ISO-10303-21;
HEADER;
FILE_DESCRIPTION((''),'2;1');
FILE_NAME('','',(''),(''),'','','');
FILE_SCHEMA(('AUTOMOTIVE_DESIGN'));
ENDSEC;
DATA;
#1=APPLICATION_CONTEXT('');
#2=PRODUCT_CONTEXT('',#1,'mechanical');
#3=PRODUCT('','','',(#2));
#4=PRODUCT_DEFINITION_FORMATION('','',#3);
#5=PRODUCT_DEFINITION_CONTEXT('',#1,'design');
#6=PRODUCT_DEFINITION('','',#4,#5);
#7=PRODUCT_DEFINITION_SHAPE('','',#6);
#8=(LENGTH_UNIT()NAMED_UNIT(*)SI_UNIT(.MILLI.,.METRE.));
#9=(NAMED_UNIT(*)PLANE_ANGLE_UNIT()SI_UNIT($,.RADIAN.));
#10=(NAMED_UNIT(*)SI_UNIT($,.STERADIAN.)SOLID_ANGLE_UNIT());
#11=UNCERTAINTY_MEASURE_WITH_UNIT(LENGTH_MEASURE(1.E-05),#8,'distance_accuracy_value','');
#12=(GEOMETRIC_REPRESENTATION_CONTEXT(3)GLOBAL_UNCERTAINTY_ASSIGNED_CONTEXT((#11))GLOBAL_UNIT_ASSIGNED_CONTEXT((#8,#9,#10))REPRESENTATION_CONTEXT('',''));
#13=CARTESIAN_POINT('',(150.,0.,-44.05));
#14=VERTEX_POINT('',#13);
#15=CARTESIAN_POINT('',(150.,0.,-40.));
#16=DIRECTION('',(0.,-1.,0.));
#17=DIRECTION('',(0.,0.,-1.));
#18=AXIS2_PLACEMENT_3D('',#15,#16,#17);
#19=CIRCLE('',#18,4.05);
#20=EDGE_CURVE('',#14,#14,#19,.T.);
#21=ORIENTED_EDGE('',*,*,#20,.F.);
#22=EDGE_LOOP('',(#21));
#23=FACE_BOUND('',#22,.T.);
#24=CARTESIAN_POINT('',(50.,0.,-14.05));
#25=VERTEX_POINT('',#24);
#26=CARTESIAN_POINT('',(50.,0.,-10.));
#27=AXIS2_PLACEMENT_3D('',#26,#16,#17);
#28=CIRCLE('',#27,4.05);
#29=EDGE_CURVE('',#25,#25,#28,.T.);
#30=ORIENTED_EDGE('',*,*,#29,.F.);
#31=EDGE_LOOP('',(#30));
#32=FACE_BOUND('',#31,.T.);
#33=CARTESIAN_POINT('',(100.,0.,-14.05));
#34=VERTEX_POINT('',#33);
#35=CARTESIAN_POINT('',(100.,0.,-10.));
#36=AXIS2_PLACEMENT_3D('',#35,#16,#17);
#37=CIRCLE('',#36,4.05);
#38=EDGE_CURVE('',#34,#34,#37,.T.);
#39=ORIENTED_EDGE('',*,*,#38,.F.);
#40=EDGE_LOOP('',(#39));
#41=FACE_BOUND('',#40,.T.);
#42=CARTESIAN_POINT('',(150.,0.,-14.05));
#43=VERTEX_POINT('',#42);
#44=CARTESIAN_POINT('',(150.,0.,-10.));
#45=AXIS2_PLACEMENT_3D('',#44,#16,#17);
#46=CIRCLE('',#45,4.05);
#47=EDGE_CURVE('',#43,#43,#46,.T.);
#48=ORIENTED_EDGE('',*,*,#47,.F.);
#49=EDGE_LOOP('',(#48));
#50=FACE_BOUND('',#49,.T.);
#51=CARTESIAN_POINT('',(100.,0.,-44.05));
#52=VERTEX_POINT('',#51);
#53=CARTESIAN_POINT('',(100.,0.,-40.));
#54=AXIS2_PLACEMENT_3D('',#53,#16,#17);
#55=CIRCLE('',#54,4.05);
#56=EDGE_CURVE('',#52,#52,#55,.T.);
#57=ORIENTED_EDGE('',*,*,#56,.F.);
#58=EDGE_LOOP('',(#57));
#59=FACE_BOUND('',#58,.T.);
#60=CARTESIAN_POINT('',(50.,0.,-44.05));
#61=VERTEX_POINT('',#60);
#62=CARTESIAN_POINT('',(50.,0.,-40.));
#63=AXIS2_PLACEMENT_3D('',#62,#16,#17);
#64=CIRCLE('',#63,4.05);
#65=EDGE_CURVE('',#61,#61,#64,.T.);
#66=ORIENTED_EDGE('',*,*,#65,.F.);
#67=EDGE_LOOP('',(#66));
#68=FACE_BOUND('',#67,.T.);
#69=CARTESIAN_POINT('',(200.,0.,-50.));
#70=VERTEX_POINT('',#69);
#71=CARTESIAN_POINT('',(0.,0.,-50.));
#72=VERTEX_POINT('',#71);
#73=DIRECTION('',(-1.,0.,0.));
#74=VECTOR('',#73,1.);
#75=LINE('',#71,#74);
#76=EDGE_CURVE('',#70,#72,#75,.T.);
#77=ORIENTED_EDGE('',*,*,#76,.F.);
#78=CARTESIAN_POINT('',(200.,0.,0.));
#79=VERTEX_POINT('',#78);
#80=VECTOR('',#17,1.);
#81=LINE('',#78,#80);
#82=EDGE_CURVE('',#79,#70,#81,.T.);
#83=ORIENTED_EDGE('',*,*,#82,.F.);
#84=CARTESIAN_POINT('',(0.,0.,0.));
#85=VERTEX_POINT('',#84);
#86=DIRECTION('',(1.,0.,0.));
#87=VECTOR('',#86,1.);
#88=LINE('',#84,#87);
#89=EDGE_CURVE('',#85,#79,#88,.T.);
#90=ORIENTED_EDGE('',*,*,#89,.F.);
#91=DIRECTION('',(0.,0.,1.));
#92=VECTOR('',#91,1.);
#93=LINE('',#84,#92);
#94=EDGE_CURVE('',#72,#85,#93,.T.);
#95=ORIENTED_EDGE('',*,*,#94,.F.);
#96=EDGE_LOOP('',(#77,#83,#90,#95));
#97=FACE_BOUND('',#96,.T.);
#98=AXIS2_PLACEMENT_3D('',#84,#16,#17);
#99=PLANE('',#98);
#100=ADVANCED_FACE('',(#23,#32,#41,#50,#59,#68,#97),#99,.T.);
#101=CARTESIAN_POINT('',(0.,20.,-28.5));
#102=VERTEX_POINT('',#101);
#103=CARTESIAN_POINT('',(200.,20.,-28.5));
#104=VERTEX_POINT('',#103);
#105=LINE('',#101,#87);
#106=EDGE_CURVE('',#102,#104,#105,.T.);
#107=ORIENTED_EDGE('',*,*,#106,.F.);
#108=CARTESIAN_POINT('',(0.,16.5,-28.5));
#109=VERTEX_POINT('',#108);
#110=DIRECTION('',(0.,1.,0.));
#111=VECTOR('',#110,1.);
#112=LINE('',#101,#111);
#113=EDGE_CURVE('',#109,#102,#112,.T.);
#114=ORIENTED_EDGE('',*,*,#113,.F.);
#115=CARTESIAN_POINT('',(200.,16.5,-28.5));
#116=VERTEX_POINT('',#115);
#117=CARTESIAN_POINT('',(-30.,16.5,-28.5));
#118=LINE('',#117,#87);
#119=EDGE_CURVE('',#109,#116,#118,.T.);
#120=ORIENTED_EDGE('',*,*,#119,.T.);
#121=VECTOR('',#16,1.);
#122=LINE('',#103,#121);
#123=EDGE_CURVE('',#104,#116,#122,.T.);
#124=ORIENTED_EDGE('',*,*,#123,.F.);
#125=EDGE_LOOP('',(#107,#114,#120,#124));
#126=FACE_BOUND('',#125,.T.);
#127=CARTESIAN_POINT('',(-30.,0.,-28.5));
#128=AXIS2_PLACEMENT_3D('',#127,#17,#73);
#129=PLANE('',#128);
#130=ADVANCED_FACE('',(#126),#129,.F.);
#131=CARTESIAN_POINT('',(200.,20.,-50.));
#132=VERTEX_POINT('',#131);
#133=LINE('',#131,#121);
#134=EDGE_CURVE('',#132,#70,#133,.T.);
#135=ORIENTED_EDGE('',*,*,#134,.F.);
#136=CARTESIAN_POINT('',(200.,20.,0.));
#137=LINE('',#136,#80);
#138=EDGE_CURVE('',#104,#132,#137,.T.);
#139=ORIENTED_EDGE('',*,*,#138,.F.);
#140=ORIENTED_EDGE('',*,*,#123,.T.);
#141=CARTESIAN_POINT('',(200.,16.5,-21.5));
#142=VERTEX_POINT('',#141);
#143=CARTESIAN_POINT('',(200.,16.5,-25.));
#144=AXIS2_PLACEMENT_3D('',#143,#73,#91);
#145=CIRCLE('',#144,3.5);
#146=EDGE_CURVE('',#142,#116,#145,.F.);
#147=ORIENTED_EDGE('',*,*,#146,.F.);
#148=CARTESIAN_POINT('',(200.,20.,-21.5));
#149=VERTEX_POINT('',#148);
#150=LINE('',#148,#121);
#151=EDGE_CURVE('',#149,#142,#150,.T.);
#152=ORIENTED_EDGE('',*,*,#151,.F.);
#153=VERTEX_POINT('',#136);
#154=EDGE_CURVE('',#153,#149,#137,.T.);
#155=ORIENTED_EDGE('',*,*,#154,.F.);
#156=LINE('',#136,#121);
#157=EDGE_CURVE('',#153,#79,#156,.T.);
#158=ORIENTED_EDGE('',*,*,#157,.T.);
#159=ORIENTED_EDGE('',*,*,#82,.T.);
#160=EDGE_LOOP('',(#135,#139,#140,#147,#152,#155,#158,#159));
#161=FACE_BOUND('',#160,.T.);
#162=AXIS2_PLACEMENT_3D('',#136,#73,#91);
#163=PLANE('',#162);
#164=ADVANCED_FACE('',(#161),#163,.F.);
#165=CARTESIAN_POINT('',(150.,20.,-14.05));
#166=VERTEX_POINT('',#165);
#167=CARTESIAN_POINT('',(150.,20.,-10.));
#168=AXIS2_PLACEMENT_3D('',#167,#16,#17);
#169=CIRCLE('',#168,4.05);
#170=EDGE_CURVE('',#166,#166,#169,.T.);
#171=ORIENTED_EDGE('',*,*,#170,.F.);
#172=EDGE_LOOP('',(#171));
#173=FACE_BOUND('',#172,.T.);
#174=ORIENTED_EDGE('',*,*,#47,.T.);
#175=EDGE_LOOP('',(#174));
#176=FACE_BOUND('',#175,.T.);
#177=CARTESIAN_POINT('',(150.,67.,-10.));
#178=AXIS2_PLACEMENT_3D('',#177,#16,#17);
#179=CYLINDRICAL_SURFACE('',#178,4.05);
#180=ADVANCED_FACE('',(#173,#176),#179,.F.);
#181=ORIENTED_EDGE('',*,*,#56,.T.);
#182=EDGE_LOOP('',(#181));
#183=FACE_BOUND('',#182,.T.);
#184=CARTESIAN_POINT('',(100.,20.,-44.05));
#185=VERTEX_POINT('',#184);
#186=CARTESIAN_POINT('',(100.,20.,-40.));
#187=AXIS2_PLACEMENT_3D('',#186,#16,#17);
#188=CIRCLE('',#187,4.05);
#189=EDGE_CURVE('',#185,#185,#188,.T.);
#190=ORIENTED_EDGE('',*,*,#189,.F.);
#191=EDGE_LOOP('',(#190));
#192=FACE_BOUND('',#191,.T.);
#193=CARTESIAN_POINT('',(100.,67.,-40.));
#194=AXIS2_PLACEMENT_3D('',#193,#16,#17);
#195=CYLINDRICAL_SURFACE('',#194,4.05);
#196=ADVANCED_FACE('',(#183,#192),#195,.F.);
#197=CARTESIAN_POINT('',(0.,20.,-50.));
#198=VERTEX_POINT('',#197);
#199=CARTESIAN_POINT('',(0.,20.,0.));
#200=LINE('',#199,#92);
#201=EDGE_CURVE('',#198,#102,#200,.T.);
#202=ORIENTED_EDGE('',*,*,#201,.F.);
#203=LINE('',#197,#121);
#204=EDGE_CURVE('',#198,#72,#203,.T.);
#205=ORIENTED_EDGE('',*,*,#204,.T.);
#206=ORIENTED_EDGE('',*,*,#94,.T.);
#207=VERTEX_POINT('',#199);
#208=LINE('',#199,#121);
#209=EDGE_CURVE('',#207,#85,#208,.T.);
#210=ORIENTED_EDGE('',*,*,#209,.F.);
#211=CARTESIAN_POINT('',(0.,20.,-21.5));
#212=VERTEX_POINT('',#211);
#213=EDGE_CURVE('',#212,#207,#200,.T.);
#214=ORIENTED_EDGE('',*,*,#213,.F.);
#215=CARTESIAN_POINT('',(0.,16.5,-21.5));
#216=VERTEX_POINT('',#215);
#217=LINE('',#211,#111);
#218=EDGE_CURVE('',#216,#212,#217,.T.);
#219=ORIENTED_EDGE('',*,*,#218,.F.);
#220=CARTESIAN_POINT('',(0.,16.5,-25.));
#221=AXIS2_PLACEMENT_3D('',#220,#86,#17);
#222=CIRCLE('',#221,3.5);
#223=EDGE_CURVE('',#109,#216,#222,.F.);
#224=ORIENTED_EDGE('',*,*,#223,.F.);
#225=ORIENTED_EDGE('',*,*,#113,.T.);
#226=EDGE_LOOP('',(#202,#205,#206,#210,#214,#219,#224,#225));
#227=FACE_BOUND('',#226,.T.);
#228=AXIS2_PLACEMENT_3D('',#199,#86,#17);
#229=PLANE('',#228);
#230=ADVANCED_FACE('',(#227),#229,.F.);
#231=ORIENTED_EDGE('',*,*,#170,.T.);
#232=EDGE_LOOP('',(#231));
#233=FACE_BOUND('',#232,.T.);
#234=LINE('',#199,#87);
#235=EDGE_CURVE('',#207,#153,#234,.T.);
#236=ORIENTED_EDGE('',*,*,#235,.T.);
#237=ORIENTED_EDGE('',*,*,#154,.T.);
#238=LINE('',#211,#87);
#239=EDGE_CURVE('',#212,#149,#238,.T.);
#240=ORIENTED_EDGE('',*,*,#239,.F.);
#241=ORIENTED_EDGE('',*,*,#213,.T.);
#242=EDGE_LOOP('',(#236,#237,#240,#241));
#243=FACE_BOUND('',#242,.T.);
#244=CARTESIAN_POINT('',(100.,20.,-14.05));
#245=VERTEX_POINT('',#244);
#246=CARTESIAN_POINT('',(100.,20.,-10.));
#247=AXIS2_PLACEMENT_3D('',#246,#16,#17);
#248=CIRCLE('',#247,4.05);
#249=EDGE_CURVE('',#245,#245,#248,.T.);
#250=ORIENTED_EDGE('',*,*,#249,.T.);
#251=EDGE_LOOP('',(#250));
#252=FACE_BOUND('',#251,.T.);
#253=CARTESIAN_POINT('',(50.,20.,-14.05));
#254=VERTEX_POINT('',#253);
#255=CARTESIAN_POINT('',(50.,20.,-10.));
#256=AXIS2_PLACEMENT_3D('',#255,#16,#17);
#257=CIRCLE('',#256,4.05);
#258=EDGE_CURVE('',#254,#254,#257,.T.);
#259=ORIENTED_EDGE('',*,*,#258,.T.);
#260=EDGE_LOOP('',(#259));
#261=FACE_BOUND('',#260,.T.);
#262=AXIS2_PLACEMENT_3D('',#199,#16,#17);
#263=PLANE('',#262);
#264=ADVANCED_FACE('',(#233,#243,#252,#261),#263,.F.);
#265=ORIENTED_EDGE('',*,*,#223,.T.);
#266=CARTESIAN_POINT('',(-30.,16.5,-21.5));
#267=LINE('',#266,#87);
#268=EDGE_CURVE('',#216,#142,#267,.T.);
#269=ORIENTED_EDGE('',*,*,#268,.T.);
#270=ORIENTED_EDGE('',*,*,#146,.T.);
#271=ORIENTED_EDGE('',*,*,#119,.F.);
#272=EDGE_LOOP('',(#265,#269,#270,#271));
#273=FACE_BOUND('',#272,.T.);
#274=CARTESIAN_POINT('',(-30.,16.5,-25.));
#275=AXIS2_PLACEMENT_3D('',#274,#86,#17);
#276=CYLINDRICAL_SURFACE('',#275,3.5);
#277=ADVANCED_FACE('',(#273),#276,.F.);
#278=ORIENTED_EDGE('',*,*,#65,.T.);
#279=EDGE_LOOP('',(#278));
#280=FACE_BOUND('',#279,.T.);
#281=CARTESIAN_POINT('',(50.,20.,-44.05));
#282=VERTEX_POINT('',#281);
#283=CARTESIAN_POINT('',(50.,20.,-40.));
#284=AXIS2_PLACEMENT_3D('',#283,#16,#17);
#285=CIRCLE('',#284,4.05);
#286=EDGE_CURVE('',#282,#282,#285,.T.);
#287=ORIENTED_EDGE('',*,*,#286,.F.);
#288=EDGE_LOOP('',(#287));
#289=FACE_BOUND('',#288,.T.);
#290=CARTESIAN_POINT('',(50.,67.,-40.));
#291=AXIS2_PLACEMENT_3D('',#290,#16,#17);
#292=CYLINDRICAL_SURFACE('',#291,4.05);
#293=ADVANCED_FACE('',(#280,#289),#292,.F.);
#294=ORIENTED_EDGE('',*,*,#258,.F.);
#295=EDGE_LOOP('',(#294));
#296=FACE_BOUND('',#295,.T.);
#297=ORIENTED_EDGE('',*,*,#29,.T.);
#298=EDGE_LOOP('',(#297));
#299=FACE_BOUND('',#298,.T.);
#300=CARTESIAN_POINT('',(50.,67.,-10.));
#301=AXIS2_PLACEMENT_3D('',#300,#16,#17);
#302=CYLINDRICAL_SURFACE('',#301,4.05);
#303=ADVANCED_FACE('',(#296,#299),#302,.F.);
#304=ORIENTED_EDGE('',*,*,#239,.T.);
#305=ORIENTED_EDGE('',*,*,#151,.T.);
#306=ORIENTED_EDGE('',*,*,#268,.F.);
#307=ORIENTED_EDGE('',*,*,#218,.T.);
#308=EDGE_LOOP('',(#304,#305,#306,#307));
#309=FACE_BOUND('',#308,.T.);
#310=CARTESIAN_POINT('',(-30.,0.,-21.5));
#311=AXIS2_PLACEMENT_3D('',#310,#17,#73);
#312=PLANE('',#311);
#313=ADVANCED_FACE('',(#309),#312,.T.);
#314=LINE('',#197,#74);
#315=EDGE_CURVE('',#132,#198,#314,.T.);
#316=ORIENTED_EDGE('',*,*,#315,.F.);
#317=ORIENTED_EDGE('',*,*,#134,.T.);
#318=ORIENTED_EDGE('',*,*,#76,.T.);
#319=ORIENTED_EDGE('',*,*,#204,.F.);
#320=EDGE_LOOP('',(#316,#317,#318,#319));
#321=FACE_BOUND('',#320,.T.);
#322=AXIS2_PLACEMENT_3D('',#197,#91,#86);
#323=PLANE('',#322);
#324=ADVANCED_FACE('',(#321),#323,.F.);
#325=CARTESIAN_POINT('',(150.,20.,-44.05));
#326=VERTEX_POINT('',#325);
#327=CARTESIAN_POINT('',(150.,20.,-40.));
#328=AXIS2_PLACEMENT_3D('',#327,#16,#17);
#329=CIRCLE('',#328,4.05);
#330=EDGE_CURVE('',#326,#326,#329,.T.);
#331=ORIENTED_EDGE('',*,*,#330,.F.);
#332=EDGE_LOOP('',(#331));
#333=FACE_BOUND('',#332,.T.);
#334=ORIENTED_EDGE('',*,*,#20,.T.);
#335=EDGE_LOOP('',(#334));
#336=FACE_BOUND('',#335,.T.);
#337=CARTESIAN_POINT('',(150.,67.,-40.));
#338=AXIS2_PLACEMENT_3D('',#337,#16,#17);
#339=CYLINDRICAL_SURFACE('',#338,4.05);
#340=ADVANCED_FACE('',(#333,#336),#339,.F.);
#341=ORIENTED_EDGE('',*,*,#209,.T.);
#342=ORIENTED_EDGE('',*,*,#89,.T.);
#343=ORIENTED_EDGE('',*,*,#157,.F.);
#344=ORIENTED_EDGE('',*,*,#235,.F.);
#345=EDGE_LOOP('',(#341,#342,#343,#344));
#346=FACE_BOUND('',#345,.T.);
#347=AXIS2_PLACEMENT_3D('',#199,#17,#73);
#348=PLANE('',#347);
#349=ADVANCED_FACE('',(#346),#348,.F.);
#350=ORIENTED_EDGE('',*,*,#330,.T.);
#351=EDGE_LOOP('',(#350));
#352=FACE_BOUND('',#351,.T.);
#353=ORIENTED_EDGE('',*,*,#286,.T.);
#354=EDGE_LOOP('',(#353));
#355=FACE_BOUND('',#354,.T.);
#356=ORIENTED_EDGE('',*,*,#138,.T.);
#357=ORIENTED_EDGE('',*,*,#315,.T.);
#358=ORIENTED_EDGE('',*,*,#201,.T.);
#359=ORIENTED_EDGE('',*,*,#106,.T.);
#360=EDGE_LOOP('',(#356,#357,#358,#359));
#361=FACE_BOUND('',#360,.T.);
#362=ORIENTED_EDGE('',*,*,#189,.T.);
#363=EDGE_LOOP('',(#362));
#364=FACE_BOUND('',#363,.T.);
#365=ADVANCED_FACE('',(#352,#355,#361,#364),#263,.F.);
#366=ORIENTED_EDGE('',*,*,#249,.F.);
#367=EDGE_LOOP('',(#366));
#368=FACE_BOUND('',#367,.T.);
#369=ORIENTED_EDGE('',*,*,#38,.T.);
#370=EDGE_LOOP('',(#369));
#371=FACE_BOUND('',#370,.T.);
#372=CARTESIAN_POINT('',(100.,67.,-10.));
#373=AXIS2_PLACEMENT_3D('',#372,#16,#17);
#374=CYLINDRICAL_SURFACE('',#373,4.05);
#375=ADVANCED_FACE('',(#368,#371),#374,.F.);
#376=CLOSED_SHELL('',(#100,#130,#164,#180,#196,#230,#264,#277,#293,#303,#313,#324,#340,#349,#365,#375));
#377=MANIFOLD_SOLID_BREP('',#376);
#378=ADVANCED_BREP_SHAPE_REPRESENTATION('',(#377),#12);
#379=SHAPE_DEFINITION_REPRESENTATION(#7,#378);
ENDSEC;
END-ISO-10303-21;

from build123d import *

# Parameters (mm, degrees)
SKETCH1_W               = 200
SKETCH1_H               = 50
BOSS_EXTRUDE1_DEPTH     = 20
CUT_EXTRUDE1_DEPTH      = 30
CUT_EXTRUDE1_DEPTH_BACK = 221
SKETCH3_R               = 4.05
CUT_EXTRUDE2_DEPTH      = 67


with BuildPart() as part:
    # Sketch1 → Boss-Extrude1 (new body)
    with BuildSketch(Plane(origin=(0, 0, 0), x_dir=(1, 0, 0), z_dir=(0, 1, 0))):
        with Locations((100, 25)):
            Rectangle(SKETCH1_W, SKETCH1_H)
    extrude(amount=BOSS_EXTRUDE1_DEPTH)

    # Sketch2 → Cut-Extrude1 (cut, two sides: drawn at the far end of the back side and taken through both)
    with BuildSketch(Plane.ZY.offset(-CUT_EXTRUDE1_DEPTH_BACK)):
        with BuildLine():
            Line((-25, 20), (-28.5, 20))
            Line((-28.5, 20), (-28.5, 16.5))
            ThreePointArc((-28.5, 16.5), (-27.474873734, 18.974873734), (-25, 20))
        make_face()
        with BuildLine():
            ThreePointArc((-21.5, 16.5), (-22.525126266, 18.974873734), (-25, 20))
            Line((-25, 20), (-25, 13))
            ThreePointArc((-25, 13), (-22.525126266, 14.025126266), (-21.5, 16.5))
        make_face()
        with BuildLine():
            Line((-25, 13), (-25, 20))
            ThreePointArc((-25, 20), (-27.474873734, 18.974873734), (-28.5, 16.5))
            ThreePointArc((-28.5, 16.5), (-27.474873734, 14.025126266), (-25, 13))
        make_face()
        with BuildLine():
            Line((-21.5, 20), (-25, 20))
            ThreePointArc((-25, 20), (-22.525126266, 18.974873734), (-21.5, 16.5))
            Line((-21.5, 16.5), (-21.5, 20))
        make_face()
    extrude(amount=CUT_EXTRUDE1_DEPTH + CUT_EXTRUDE1_DEPTH_BACK, mode=Mode.SUBTRACT)

    # Sketch3 → Cut-Extrude2 (cut)
    with BuildSketch(Plane.XZ):
        with BuildLine():
            ThreePointArc((104.05, -10), (102.863782464, -7.136217536), (100, -5.95))
            Line((100, -5.95), (100, -14.05))
            ThreePointArc((100, -14.05), (102.863782464, -12.863782464), (104.05, -10))
        make_face()
        with BuildLine():
            Line((100, -14.05), (100, -5.95))
            ThreePointArc((100, -5.95), (95.95, -10), (100, -14.05))
        make_face()
        with BuildLine():
            ThreePointArc((54.05, -10), (52.863782464, -7.136217536), (50, -5.95))
            Line((50, -5.95), (50, -14.05))
            ThreePointArc((50, -14.05), (52.863782464, -12.863782464), (54.05, -10))
        make_face()
        with BuildLine():
            Line((50, -14.05), (50, -5.95))
            ThreePointArc((50, -5.95), (45.95, -10), (50, -14.05))
        make_face()
        with Locations(Location((50, -40, 0), (0, 0, 270))):
            Circle(SKETCH3_R)
        with Locations(Location((100, -40, 0), (0, 0, 270))):
            Circle(SKETCH3_R)
        with Locations(Location((150, -40, 0), (0, 0, 270))):
            Circle(SKETCH3_R)
        with Locations(Location((150, -10, 0), (0, 0, 270))):
            Circle(SKETCH3_R)
    extrude(amount=-CUT_EXTRUDE2_DEPTH, mode=Mode.SUBTRACT)


solid = part.part
